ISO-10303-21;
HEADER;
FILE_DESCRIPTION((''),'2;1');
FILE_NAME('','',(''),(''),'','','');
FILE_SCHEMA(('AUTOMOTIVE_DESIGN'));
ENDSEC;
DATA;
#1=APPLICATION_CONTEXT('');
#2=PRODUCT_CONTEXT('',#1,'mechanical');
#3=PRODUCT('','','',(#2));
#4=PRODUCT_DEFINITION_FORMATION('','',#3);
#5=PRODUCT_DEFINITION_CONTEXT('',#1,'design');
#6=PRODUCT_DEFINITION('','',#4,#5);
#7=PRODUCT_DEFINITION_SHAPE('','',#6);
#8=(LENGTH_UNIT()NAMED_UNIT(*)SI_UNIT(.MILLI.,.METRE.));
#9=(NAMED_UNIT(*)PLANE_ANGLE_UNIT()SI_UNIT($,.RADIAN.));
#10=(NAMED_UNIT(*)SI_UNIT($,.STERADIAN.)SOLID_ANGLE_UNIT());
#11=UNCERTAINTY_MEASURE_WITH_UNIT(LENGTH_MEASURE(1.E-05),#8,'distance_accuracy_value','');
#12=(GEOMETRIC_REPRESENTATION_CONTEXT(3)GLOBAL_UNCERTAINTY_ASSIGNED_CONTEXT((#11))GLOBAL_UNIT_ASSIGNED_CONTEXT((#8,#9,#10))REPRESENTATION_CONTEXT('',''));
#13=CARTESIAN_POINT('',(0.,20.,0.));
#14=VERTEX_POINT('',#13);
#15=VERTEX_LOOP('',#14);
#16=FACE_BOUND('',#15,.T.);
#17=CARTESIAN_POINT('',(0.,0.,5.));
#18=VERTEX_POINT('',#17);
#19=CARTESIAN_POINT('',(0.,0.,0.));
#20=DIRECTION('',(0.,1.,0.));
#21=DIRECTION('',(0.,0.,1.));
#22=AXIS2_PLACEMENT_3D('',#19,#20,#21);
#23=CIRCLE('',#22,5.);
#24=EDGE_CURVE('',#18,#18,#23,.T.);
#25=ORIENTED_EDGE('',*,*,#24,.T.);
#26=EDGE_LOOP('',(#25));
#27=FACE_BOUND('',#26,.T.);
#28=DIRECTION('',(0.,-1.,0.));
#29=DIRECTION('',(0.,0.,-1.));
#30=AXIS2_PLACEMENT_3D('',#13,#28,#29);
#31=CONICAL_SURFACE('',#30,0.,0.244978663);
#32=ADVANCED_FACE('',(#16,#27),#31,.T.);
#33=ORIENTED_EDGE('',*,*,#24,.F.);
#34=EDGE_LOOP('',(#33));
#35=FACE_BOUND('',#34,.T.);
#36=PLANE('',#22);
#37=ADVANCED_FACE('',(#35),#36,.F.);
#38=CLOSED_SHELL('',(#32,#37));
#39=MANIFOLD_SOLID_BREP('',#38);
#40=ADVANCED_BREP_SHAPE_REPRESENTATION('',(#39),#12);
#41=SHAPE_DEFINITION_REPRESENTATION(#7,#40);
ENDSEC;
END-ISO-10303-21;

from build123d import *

# Parameters (mm, degrees)
SKETCH1_R = 5


with BuildPart() as part:
    # Sketch1 → Loft1 section 0
    with BuildSketch(Plane(origin=(0, 0, 0), x_dir=(1, 0, 0), z_dir=(0, 1, 0)), mode=Mode.PRIVATE) as loft1_s0:
        Circle(SKETCH1_R)
    loft([Vertex(0, 20, 0), loft1_s0.sketch])


solid = part.part
